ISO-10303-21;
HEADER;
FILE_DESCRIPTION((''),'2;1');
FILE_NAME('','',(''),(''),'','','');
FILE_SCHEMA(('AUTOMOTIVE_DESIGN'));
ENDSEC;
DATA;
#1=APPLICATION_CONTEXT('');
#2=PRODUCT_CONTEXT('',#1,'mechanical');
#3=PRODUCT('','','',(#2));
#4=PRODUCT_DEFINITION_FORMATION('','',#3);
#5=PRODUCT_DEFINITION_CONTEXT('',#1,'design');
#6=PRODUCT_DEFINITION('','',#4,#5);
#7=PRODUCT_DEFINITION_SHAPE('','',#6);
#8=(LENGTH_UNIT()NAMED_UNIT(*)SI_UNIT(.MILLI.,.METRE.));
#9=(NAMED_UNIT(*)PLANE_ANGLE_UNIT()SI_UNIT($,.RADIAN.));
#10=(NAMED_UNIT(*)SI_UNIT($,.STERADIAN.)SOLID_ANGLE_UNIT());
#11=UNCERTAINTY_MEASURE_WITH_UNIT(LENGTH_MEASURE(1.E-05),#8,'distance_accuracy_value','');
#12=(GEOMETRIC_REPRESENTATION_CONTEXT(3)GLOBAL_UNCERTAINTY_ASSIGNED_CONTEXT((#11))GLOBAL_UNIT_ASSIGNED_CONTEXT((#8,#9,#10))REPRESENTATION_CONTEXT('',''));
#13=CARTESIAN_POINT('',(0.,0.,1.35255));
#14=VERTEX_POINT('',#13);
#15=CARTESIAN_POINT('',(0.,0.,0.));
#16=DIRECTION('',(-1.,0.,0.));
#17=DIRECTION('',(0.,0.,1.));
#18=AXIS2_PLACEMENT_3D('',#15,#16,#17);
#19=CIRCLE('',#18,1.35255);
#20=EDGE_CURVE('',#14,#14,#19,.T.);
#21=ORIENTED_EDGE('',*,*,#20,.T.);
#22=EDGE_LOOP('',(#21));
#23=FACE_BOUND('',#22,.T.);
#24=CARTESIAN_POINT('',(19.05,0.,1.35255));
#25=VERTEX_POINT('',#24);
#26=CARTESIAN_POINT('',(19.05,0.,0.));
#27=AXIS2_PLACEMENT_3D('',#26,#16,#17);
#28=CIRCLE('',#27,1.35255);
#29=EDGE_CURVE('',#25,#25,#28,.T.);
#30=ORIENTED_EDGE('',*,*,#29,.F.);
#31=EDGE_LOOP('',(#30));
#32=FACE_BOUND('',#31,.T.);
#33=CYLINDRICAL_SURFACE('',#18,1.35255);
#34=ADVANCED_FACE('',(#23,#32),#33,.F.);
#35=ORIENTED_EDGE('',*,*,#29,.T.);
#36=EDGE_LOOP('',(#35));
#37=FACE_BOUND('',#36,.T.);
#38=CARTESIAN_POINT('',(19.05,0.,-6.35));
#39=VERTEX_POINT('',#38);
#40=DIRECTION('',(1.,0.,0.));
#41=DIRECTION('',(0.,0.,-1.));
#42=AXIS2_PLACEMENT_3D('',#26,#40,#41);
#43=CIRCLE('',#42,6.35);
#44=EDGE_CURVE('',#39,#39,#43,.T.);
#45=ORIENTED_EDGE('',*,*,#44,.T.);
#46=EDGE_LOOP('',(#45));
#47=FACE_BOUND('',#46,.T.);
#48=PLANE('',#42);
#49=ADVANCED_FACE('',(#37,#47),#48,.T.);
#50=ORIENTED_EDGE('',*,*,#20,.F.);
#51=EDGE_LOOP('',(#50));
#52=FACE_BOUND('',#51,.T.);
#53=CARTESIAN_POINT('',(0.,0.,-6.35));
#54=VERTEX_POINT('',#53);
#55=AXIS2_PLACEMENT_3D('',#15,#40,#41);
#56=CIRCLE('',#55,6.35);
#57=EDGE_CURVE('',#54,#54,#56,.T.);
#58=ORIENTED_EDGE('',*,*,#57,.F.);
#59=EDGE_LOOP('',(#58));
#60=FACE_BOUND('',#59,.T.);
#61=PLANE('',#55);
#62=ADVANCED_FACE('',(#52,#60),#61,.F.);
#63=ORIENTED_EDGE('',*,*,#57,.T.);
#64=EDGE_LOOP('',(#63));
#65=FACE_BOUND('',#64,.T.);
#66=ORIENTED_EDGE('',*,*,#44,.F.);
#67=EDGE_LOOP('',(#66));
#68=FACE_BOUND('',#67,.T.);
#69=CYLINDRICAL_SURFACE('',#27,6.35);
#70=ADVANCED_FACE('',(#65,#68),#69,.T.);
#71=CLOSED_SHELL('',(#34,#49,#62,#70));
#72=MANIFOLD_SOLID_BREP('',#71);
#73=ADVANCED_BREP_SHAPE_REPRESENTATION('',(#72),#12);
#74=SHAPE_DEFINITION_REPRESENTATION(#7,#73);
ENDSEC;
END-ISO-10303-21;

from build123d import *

# Parameters (mm, degrees)
SKETCH1_R             = 6.35
BOSS_EXTRUDE1_DEPTH   = 19.05
F_6_32_TAPPED_HOLE1_D = 2.7051


with BuildPart() as part:
    # Sketch1 → Boss-Extrude1 (new body)
    with BuildSketch(Plane(origin=(0, 0, 0), x_dir=(0, 0, -1), z_dir=(1, 0, 0))):
        Circle(SKETCH1_R)
    extrude(amount=BOSS_EXTRUDE1_DEPTH)

    # #6-32 Tapped Hole1 (through all)
    with Locations(Plane.ZY):
        with Locations((0, 0)):
            Hole(F_6_32_TAPPED_HOLE1_D / 2)


solid = part.part
